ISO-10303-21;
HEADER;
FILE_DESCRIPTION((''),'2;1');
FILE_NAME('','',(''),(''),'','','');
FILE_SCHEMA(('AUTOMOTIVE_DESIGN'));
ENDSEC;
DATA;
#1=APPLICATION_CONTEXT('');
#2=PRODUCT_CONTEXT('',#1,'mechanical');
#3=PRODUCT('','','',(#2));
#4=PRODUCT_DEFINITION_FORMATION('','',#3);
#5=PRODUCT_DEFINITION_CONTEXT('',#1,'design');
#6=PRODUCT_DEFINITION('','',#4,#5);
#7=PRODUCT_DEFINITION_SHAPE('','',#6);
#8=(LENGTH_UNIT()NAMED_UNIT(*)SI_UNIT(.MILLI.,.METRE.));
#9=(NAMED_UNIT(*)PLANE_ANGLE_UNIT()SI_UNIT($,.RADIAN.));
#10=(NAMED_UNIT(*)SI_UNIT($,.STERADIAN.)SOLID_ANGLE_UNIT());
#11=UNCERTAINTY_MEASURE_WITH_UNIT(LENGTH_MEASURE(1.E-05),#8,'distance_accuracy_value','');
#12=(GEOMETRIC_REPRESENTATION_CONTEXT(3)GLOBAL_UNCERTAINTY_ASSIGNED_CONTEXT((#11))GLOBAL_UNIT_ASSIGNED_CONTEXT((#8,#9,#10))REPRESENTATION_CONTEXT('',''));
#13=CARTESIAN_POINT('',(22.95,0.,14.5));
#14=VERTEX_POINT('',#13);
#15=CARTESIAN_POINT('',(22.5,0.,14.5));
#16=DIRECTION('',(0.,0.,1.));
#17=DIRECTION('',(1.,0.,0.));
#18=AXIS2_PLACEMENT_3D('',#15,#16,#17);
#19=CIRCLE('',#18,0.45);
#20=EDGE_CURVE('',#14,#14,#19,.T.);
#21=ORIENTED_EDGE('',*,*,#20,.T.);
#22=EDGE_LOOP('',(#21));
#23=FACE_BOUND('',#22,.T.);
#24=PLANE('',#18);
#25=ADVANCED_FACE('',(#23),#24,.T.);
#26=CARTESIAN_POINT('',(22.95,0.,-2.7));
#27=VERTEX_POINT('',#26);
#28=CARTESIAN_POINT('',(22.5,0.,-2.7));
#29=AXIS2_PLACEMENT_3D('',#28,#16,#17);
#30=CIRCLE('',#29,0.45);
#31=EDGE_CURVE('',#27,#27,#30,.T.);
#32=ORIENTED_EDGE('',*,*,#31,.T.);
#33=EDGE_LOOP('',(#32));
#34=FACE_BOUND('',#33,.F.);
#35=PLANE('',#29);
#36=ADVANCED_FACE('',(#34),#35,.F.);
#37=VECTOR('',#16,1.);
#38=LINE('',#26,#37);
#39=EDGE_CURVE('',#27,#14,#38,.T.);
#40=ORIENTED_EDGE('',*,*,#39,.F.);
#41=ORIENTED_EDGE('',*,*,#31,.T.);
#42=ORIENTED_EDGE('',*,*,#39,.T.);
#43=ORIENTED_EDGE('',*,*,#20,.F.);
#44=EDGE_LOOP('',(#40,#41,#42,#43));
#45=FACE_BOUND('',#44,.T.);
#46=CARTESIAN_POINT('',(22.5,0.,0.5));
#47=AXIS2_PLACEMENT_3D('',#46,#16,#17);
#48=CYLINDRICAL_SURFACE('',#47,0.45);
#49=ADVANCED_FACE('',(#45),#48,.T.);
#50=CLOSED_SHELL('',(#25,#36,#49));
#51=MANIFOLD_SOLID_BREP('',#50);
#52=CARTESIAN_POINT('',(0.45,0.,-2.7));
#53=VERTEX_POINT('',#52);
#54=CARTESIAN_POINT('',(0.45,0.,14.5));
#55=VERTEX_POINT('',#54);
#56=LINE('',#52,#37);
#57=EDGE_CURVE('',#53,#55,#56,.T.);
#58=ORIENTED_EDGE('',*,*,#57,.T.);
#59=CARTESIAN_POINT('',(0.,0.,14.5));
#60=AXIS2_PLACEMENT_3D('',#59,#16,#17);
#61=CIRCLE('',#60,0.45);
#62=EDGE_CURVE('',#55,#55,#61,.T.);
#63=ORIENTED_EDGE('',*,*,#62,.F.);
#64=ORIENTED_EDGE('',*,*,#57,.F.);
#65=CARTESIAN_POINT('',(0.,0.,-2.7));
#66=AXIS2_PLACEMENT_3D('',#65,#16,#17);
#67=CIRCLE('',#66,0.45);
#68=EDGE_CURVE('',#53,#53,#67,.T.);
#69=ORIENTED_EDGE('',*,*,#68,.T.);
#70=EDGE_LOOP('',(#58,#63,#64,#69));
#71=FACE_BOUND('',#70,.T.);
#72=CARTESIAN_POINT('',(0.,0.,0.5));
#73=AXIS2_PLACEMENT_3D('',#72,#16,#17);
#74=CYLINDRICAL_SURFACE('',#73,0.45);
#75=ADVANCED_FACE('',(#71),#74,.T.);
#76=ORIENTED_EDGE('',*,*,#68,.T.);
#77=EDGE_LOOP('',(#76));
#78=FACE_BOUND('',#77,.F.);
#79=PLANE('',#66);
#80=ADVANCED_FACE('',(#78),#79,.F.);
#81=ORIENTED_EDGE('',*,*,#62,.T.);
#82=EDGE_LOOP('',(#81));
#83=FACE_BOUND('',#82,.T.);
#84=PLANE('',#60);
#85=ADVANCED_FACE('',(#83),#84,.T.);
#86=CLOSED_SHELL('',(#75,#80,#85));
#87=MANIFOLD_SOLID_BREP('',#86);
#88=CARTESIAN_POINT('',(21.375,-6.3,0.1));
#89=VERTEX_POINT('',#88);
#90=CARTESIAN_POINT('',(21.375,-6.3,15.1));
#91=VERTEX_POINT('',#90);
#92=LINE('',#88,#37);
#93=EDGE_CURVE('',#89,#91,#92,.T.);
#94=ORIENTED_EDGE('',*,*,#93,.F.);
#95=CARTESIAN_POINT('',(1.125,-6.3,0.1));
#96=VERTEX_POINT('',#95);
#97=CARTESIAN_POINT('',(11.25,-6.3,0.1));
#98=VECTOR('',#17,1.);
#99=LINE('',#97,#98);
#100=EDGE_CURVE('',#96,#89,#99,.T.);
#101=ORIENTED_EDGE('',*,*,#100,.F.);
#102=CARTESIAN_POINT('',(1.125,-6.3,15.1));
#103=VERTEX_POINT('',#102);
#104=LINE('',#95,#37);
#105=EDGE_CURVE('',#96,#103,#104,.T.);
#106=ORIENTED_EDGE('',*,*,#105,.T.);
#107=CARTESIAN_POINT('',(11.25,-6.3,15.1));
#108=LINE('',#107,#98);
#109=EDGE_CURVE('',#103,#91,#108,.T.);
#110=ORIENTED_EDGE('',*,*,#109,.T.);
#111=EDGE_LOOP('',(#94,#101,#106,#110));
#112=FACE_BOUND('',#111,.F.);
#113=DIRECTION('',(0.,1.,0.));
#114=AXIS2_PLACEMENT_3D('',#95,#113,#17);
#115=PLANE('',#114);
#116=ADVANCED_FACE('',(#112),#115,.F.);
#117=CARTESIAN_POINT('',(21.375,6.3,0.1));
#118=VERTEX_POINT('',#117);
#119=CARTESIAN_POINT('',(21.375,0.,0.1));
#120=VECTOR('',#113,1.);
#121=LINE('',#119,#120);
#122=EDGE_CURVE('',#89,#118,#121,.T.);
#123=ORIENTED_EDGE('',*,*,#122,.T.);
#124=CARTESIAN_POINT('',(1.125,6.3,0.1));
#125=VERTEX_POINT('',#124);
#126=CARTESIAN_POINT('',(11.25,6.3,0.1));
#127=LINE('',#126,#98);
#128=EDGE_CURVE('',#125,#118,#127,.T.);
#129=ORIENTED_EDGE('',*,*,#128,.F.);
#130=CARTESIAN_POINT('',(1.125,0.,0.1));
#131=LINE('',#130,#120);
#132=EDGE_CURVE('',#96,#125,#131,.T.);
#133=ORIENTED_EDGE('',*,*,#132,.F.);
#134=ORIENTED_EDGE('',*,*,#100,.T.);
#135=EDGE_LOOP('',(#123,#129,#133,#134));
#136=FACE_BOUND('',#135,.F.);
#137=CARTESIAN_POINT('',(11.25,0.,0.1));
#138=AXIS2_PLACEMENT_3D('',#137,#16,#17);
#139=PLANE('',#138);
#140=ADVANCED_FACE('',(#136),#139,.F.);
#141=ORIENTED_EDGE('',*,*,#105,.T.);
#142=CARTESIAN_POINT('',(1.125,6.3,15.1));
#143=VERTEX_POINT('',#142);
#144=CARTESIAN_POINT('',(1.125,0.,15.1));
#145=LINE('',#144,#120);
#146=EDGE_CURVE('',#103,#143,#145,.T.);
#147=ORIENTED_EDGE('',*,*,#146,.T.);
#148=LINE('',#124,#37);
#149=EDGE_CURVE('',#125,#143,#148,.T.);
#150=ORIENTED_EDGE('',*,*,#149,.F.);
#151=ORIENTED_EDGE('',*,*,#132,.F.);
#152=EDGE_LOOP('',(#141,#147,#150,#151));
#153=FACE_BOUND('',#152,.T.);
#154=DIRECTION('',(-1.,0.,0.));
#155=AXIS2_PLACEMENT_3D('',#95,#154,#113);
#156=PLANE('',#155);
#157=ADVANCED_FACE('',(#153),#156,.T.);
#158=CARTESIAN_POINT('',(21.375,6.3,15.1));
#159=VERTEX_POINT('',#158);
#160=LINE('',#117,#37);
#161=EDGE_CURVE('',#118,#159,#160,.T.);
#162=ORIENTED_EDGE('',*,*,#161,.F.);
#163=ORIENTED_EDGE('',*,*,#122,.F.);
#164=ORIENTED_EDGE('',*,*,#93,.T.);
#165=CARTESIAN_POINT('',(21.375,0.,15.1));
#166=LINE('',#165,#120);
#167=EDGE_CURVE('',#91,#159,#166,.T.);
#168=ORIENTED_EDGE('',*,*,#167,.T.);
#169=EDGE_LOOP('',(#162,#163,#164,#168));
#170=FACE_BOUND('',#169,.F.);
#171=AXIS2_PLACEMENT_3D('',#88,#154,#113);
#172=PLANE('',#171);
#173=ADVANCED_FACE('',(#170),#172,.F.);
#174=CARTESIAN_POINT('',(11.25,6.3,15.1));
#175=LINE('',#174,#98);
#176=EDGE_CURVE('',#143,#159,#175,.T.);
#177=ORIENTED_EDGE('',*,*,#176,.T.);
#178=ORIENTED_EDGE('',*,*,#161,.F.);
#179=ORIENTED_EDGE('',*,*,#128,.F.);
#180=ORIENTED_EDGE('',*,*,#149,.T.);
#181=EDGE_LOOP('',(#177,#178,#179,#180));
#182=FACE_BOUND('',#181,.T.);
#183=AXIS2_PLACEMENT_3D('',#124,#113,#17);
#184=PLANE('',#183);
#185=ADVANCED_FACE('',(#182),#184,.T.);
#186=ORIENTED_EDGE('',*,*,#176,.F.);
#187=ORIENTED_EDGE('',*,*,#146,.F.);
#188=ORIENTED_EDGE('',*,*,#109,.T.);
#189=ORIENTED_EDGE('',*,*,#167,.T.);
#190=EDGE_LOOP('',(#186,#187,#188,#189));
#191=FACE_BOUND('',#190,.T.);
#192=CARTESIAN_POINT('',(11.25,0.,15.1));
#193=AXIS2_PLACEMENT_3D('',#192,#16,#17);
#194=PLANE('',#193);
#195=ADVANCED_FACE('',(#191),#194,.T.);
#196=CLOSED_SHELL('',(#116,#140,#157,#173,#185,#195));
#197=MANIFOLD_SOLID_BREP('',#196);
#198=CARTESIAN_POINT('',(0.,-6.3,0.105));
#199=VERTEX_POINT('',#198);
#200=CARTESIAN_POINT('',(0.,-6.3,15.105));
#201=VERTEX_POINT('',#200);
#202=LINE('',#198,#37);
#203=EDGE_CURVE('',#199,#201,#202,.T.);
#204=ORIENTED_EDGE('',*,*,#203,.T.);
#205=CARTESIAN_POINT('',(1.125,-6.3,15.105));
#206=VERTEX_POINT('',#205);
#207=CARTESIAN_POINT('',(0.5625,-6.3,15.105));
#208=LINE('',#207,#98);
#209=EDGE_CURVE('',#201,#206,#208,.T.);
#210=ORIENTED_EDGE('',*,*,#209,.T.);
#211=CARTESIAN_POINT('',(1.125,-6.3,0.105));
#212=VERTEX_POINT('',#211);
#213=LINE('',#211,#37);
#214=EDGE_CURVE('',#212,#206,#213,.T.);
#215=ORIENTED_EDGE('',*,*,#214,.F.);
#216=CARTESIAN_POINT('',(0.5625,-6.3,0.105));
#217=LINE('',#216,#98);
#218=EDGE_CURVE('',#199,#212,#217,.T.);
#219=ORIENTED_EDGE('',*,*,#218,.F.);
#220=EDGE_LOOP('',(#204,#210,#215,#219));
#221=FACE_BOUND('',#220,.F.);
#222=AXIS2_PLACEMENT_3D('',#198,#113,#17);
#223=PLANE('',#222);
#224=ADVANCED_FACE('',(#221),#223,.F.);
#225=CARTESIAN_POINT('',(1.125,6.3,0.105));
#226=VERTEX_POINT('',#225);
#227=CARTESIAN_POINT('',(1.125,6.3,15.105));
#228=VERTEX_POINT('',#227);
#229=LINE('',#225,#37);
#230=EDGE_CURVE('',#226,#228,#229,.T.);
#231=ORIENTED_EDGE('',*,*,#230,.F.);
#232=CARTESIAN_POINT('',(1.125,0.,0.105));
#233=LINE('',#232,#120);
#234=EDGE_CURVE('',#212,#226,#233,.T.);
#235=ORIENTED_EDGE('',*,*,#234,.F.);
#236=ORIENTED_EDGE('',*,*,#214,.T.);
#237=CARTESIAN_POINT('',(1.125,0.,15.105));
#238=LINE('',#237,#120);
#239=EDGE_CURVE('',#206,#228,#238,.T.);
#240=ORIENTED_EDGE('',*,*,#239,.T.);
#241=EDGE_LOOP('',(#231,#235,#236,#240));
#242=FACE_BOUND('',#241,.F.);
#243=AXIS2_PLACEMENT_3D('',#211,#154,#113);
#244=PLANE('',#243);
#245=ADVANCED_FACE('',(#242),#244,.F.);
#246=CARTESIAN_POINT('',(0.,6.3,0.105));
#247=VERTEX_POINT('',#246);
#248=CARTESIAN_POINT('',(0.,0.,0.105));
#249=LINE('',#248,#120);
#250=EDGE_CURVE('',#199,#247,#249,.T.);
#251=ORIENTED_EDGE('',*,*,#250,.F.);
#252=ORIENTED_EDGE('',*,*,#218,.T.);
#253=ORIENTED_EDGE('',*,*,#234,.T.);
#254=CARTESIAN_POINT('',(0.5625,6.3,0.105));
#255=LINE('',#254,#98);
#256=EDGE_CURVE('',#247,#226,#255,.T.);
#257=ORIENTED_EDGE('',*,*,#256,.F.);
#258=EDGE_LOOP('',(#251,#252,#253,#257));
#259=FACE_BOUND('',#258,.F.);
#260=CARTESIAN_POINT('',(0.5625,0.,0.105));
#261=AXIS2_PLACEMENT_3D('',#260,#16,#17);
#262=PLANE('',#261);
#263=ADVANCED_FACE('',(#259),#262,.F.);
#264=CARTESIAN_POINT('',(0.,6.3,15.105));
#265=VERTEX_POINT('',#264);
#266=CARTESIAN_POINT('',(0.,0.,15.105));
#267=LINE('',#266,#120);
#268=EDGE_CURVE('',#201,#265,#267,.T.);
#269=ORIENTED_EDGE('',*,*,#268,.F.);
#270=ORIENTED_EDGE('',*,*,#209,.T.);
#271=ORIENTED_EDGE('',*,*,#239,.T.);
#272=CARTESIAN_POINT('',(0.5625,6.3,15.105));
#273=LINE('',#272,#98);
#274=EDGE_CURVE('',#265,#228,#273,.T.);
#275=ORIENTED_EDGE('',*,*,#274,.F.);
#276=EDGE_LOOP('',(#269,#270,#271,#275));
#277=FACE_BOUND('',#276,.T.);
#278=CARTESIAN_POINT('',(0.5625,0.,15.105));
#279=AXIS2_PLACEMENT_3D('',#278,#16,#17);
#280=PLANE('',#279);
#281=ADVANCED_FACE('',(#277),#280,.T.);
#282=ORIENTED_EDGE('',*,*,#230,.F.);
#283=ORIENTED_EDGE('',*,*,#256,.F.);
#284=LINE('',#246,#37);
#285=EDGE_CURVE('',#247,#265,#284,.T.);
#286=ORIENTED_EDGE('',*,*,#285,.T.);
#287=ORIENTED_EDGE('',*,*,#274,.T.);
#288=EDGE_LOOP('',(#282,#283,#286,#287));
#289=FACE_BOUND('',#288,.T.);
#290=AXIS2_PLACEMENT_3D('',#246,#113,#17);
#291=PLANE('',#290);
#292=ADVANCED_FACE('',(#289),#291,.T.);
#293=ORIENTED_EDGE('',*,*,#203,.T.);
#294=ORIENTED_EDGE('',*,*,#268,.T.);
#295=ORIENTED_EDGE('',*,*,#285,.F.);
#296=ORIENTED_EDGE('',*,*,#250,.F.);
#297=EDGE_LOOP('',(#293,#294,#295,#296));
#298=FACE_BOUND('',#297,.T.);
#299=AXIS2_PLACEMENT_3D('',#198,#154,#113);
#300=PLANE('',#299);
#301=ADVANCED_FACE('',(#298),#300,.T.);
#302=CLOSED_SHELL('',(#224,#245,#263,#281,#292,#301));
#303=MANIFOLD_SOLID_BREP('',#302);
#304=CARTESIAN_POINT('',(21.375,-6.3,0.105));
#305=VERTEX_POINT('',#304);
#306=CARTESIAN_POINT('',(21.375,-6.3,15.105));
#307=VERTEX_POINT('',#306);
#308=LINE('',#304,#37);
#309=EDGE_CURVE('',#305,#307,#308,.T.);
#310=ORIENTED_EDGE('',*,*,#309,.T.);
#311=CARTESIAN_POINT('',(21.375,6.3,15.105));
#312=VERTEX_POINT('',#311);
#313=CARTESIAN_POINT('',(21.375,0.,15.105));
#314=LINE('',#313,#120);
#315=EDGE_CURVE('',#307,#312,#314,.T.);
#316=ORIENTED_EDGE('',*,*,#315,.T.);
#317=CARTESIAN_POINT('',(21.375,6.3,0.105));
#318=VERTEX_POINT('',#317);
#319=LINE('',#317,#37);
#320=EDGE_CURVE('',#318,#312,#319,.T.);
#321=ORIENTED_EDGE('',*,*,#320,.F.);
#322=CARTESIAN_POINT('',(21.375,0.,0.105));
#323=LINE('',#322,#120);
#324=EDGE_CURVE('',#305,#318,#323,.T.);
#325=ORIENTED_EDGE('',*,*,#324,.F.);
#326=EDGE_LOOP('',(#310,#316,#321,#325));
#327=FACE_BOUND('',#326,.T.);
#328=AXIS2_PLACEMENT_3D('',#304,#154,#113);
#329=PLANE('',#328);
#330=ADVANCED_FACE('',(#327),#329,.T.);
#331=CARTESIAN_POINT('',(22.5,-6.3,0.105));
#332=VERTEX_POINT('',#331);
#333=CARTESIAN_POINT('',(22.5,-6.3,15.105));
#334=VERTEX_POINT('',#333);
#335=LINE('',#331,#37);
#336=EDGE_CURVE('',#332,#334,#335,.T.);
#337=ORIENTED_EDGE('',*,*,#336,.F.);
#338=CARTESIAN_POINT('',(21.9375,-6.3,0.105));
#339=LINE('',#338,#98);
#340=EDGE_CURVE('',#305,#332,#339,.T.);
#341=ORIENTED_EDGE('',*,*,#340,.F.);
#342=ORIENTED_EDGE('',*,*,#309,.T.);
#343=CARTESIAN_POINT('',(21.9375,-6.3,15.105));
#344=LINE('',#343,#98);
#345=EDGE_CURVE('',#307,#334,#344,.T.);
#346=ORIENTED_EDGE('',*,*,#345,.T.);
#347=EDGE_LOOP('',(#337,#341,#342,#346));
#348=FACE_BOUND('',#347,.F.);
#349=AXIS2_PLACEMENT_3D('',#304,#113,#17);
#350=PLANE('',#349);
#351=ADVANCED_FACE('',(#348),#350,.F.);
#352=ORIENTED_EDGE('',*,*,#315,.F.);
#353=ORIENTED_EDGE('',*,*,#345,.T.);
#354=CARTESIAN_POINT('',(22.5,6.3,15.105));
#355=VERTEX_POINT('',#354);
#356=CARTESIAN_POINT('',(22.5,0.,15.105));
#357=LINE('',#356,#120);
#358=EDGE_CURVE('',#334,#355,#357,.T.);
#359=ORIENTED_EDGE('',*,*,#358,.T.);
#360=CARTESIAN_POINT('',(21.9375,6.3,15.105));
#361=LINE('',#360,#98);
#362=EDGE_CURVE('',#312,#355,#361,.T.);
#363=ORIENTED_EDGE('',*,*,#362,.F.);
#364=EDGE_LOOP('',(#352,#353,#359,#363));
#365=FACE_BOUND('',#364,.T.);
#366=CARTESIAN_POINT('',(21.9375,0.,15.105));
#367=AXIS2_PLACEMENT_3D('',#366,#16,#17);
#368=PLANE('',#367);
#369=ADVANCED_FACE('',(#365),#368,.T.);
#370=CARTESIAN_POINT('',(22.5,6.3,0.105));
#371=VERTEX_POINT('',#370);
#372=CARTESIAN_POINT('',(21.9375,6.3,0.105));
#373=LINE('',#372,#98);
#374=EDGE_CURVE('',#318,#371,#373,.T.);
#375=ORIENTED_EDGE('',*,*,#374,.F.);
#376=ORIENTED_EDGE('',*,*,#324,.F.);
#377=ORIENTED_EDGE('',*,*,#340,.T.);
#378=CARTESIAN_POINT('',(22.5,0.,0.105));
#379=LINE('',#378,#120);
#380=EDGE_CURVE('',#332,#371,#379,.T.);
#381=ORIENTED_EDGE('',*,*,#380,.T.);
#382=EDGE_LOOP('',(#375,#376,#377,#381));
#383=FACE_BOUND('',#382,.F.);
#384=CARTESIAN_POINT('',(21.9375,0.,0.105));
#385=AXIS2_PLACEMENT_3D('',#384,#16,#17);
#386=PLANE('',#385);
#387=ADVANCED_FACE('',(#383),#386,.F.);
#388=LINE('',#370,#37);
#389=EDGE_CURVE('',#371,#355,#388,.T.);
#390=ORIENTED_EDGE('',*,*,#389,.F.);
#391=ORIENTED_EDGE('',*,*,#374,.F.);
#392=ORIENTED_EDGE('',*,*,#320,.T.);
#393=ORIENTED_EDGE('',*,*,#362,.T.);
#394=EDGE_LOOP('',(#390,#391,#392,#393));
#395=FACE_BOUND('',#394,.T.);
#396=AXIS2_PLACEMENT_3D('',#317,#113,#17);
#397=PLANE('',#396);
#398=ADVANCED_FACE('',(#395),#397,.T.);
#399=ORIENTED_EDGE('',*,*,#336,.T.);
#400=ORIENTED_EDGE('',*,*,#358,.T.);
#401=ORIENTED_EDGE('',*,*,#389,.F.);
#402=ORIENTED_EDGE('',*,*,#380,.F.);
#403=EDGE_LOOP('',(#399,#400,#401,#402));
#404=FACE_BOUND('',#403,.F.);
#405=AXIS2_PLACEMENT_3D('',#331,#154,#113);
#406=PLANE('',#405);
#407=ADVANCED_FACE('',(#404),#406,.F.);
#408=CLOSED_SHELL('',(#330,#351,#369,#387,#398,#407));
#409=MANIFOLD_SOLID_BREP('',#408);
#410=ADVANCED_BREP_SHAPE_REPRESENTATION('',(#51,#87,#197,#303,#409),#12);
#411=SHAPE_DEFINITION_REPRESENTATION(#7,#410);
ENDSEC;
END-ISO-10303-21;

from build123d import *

# Parameters (mm, degrees)
SKETCH_W          = 20.25
SKETCH_H          = 12.6
PAD_DEPTH         = 15
SKETCH001_R       = 0.45
PAD001_DEPTH      = 14
PAD001_DEPTH_BACK = 3.2
SKETCH002_W       = 1.125
SKETCH002_H       = 12.6
PAD002_DEPTH      = 15


with BuildPart() as pad:
    # Sketch → Pad (new body)
    with BuildSketch(Plane.XY.offset(0.1)):
        with Locations((11.25, 0)):
            Rectangle(SKETCH_W, SKETCH_H)
    extrude(amount=PAD_DEPTH)


with BuildPart() as pad001:
    # Sketch001 → Pad001 (new body, two sides)
    with BuildSketch(Plane.XY.offset(0.5)) as pad001_sk:
        Circle(SKETCH001_R)
        with Locations((22.5, 0)):
            Circle(SKETCH001_R)
    extrude(amount=PAD001_DEPTH)
    extrude(pad001_sk.sketch, amount=-PAD001_DEPTH_BACK)


with BuildPart() as pad002:
    # Sketch002 → Pad002 (new body)
    with BuildSketch(Plane.XY.offset(0.105)):
        with Locations((0.5625, 0)):
            Rectangle(SKETCH002_W, SKETCH002_H)
        with Locations((21.9375, 0)):
            Rectangle(SKETCH002_W, SKETCH002_H)
    extrude(amount=PAD002_DEPTH)


solid = Compound([pad.part, pad001.part, pad002.part])
